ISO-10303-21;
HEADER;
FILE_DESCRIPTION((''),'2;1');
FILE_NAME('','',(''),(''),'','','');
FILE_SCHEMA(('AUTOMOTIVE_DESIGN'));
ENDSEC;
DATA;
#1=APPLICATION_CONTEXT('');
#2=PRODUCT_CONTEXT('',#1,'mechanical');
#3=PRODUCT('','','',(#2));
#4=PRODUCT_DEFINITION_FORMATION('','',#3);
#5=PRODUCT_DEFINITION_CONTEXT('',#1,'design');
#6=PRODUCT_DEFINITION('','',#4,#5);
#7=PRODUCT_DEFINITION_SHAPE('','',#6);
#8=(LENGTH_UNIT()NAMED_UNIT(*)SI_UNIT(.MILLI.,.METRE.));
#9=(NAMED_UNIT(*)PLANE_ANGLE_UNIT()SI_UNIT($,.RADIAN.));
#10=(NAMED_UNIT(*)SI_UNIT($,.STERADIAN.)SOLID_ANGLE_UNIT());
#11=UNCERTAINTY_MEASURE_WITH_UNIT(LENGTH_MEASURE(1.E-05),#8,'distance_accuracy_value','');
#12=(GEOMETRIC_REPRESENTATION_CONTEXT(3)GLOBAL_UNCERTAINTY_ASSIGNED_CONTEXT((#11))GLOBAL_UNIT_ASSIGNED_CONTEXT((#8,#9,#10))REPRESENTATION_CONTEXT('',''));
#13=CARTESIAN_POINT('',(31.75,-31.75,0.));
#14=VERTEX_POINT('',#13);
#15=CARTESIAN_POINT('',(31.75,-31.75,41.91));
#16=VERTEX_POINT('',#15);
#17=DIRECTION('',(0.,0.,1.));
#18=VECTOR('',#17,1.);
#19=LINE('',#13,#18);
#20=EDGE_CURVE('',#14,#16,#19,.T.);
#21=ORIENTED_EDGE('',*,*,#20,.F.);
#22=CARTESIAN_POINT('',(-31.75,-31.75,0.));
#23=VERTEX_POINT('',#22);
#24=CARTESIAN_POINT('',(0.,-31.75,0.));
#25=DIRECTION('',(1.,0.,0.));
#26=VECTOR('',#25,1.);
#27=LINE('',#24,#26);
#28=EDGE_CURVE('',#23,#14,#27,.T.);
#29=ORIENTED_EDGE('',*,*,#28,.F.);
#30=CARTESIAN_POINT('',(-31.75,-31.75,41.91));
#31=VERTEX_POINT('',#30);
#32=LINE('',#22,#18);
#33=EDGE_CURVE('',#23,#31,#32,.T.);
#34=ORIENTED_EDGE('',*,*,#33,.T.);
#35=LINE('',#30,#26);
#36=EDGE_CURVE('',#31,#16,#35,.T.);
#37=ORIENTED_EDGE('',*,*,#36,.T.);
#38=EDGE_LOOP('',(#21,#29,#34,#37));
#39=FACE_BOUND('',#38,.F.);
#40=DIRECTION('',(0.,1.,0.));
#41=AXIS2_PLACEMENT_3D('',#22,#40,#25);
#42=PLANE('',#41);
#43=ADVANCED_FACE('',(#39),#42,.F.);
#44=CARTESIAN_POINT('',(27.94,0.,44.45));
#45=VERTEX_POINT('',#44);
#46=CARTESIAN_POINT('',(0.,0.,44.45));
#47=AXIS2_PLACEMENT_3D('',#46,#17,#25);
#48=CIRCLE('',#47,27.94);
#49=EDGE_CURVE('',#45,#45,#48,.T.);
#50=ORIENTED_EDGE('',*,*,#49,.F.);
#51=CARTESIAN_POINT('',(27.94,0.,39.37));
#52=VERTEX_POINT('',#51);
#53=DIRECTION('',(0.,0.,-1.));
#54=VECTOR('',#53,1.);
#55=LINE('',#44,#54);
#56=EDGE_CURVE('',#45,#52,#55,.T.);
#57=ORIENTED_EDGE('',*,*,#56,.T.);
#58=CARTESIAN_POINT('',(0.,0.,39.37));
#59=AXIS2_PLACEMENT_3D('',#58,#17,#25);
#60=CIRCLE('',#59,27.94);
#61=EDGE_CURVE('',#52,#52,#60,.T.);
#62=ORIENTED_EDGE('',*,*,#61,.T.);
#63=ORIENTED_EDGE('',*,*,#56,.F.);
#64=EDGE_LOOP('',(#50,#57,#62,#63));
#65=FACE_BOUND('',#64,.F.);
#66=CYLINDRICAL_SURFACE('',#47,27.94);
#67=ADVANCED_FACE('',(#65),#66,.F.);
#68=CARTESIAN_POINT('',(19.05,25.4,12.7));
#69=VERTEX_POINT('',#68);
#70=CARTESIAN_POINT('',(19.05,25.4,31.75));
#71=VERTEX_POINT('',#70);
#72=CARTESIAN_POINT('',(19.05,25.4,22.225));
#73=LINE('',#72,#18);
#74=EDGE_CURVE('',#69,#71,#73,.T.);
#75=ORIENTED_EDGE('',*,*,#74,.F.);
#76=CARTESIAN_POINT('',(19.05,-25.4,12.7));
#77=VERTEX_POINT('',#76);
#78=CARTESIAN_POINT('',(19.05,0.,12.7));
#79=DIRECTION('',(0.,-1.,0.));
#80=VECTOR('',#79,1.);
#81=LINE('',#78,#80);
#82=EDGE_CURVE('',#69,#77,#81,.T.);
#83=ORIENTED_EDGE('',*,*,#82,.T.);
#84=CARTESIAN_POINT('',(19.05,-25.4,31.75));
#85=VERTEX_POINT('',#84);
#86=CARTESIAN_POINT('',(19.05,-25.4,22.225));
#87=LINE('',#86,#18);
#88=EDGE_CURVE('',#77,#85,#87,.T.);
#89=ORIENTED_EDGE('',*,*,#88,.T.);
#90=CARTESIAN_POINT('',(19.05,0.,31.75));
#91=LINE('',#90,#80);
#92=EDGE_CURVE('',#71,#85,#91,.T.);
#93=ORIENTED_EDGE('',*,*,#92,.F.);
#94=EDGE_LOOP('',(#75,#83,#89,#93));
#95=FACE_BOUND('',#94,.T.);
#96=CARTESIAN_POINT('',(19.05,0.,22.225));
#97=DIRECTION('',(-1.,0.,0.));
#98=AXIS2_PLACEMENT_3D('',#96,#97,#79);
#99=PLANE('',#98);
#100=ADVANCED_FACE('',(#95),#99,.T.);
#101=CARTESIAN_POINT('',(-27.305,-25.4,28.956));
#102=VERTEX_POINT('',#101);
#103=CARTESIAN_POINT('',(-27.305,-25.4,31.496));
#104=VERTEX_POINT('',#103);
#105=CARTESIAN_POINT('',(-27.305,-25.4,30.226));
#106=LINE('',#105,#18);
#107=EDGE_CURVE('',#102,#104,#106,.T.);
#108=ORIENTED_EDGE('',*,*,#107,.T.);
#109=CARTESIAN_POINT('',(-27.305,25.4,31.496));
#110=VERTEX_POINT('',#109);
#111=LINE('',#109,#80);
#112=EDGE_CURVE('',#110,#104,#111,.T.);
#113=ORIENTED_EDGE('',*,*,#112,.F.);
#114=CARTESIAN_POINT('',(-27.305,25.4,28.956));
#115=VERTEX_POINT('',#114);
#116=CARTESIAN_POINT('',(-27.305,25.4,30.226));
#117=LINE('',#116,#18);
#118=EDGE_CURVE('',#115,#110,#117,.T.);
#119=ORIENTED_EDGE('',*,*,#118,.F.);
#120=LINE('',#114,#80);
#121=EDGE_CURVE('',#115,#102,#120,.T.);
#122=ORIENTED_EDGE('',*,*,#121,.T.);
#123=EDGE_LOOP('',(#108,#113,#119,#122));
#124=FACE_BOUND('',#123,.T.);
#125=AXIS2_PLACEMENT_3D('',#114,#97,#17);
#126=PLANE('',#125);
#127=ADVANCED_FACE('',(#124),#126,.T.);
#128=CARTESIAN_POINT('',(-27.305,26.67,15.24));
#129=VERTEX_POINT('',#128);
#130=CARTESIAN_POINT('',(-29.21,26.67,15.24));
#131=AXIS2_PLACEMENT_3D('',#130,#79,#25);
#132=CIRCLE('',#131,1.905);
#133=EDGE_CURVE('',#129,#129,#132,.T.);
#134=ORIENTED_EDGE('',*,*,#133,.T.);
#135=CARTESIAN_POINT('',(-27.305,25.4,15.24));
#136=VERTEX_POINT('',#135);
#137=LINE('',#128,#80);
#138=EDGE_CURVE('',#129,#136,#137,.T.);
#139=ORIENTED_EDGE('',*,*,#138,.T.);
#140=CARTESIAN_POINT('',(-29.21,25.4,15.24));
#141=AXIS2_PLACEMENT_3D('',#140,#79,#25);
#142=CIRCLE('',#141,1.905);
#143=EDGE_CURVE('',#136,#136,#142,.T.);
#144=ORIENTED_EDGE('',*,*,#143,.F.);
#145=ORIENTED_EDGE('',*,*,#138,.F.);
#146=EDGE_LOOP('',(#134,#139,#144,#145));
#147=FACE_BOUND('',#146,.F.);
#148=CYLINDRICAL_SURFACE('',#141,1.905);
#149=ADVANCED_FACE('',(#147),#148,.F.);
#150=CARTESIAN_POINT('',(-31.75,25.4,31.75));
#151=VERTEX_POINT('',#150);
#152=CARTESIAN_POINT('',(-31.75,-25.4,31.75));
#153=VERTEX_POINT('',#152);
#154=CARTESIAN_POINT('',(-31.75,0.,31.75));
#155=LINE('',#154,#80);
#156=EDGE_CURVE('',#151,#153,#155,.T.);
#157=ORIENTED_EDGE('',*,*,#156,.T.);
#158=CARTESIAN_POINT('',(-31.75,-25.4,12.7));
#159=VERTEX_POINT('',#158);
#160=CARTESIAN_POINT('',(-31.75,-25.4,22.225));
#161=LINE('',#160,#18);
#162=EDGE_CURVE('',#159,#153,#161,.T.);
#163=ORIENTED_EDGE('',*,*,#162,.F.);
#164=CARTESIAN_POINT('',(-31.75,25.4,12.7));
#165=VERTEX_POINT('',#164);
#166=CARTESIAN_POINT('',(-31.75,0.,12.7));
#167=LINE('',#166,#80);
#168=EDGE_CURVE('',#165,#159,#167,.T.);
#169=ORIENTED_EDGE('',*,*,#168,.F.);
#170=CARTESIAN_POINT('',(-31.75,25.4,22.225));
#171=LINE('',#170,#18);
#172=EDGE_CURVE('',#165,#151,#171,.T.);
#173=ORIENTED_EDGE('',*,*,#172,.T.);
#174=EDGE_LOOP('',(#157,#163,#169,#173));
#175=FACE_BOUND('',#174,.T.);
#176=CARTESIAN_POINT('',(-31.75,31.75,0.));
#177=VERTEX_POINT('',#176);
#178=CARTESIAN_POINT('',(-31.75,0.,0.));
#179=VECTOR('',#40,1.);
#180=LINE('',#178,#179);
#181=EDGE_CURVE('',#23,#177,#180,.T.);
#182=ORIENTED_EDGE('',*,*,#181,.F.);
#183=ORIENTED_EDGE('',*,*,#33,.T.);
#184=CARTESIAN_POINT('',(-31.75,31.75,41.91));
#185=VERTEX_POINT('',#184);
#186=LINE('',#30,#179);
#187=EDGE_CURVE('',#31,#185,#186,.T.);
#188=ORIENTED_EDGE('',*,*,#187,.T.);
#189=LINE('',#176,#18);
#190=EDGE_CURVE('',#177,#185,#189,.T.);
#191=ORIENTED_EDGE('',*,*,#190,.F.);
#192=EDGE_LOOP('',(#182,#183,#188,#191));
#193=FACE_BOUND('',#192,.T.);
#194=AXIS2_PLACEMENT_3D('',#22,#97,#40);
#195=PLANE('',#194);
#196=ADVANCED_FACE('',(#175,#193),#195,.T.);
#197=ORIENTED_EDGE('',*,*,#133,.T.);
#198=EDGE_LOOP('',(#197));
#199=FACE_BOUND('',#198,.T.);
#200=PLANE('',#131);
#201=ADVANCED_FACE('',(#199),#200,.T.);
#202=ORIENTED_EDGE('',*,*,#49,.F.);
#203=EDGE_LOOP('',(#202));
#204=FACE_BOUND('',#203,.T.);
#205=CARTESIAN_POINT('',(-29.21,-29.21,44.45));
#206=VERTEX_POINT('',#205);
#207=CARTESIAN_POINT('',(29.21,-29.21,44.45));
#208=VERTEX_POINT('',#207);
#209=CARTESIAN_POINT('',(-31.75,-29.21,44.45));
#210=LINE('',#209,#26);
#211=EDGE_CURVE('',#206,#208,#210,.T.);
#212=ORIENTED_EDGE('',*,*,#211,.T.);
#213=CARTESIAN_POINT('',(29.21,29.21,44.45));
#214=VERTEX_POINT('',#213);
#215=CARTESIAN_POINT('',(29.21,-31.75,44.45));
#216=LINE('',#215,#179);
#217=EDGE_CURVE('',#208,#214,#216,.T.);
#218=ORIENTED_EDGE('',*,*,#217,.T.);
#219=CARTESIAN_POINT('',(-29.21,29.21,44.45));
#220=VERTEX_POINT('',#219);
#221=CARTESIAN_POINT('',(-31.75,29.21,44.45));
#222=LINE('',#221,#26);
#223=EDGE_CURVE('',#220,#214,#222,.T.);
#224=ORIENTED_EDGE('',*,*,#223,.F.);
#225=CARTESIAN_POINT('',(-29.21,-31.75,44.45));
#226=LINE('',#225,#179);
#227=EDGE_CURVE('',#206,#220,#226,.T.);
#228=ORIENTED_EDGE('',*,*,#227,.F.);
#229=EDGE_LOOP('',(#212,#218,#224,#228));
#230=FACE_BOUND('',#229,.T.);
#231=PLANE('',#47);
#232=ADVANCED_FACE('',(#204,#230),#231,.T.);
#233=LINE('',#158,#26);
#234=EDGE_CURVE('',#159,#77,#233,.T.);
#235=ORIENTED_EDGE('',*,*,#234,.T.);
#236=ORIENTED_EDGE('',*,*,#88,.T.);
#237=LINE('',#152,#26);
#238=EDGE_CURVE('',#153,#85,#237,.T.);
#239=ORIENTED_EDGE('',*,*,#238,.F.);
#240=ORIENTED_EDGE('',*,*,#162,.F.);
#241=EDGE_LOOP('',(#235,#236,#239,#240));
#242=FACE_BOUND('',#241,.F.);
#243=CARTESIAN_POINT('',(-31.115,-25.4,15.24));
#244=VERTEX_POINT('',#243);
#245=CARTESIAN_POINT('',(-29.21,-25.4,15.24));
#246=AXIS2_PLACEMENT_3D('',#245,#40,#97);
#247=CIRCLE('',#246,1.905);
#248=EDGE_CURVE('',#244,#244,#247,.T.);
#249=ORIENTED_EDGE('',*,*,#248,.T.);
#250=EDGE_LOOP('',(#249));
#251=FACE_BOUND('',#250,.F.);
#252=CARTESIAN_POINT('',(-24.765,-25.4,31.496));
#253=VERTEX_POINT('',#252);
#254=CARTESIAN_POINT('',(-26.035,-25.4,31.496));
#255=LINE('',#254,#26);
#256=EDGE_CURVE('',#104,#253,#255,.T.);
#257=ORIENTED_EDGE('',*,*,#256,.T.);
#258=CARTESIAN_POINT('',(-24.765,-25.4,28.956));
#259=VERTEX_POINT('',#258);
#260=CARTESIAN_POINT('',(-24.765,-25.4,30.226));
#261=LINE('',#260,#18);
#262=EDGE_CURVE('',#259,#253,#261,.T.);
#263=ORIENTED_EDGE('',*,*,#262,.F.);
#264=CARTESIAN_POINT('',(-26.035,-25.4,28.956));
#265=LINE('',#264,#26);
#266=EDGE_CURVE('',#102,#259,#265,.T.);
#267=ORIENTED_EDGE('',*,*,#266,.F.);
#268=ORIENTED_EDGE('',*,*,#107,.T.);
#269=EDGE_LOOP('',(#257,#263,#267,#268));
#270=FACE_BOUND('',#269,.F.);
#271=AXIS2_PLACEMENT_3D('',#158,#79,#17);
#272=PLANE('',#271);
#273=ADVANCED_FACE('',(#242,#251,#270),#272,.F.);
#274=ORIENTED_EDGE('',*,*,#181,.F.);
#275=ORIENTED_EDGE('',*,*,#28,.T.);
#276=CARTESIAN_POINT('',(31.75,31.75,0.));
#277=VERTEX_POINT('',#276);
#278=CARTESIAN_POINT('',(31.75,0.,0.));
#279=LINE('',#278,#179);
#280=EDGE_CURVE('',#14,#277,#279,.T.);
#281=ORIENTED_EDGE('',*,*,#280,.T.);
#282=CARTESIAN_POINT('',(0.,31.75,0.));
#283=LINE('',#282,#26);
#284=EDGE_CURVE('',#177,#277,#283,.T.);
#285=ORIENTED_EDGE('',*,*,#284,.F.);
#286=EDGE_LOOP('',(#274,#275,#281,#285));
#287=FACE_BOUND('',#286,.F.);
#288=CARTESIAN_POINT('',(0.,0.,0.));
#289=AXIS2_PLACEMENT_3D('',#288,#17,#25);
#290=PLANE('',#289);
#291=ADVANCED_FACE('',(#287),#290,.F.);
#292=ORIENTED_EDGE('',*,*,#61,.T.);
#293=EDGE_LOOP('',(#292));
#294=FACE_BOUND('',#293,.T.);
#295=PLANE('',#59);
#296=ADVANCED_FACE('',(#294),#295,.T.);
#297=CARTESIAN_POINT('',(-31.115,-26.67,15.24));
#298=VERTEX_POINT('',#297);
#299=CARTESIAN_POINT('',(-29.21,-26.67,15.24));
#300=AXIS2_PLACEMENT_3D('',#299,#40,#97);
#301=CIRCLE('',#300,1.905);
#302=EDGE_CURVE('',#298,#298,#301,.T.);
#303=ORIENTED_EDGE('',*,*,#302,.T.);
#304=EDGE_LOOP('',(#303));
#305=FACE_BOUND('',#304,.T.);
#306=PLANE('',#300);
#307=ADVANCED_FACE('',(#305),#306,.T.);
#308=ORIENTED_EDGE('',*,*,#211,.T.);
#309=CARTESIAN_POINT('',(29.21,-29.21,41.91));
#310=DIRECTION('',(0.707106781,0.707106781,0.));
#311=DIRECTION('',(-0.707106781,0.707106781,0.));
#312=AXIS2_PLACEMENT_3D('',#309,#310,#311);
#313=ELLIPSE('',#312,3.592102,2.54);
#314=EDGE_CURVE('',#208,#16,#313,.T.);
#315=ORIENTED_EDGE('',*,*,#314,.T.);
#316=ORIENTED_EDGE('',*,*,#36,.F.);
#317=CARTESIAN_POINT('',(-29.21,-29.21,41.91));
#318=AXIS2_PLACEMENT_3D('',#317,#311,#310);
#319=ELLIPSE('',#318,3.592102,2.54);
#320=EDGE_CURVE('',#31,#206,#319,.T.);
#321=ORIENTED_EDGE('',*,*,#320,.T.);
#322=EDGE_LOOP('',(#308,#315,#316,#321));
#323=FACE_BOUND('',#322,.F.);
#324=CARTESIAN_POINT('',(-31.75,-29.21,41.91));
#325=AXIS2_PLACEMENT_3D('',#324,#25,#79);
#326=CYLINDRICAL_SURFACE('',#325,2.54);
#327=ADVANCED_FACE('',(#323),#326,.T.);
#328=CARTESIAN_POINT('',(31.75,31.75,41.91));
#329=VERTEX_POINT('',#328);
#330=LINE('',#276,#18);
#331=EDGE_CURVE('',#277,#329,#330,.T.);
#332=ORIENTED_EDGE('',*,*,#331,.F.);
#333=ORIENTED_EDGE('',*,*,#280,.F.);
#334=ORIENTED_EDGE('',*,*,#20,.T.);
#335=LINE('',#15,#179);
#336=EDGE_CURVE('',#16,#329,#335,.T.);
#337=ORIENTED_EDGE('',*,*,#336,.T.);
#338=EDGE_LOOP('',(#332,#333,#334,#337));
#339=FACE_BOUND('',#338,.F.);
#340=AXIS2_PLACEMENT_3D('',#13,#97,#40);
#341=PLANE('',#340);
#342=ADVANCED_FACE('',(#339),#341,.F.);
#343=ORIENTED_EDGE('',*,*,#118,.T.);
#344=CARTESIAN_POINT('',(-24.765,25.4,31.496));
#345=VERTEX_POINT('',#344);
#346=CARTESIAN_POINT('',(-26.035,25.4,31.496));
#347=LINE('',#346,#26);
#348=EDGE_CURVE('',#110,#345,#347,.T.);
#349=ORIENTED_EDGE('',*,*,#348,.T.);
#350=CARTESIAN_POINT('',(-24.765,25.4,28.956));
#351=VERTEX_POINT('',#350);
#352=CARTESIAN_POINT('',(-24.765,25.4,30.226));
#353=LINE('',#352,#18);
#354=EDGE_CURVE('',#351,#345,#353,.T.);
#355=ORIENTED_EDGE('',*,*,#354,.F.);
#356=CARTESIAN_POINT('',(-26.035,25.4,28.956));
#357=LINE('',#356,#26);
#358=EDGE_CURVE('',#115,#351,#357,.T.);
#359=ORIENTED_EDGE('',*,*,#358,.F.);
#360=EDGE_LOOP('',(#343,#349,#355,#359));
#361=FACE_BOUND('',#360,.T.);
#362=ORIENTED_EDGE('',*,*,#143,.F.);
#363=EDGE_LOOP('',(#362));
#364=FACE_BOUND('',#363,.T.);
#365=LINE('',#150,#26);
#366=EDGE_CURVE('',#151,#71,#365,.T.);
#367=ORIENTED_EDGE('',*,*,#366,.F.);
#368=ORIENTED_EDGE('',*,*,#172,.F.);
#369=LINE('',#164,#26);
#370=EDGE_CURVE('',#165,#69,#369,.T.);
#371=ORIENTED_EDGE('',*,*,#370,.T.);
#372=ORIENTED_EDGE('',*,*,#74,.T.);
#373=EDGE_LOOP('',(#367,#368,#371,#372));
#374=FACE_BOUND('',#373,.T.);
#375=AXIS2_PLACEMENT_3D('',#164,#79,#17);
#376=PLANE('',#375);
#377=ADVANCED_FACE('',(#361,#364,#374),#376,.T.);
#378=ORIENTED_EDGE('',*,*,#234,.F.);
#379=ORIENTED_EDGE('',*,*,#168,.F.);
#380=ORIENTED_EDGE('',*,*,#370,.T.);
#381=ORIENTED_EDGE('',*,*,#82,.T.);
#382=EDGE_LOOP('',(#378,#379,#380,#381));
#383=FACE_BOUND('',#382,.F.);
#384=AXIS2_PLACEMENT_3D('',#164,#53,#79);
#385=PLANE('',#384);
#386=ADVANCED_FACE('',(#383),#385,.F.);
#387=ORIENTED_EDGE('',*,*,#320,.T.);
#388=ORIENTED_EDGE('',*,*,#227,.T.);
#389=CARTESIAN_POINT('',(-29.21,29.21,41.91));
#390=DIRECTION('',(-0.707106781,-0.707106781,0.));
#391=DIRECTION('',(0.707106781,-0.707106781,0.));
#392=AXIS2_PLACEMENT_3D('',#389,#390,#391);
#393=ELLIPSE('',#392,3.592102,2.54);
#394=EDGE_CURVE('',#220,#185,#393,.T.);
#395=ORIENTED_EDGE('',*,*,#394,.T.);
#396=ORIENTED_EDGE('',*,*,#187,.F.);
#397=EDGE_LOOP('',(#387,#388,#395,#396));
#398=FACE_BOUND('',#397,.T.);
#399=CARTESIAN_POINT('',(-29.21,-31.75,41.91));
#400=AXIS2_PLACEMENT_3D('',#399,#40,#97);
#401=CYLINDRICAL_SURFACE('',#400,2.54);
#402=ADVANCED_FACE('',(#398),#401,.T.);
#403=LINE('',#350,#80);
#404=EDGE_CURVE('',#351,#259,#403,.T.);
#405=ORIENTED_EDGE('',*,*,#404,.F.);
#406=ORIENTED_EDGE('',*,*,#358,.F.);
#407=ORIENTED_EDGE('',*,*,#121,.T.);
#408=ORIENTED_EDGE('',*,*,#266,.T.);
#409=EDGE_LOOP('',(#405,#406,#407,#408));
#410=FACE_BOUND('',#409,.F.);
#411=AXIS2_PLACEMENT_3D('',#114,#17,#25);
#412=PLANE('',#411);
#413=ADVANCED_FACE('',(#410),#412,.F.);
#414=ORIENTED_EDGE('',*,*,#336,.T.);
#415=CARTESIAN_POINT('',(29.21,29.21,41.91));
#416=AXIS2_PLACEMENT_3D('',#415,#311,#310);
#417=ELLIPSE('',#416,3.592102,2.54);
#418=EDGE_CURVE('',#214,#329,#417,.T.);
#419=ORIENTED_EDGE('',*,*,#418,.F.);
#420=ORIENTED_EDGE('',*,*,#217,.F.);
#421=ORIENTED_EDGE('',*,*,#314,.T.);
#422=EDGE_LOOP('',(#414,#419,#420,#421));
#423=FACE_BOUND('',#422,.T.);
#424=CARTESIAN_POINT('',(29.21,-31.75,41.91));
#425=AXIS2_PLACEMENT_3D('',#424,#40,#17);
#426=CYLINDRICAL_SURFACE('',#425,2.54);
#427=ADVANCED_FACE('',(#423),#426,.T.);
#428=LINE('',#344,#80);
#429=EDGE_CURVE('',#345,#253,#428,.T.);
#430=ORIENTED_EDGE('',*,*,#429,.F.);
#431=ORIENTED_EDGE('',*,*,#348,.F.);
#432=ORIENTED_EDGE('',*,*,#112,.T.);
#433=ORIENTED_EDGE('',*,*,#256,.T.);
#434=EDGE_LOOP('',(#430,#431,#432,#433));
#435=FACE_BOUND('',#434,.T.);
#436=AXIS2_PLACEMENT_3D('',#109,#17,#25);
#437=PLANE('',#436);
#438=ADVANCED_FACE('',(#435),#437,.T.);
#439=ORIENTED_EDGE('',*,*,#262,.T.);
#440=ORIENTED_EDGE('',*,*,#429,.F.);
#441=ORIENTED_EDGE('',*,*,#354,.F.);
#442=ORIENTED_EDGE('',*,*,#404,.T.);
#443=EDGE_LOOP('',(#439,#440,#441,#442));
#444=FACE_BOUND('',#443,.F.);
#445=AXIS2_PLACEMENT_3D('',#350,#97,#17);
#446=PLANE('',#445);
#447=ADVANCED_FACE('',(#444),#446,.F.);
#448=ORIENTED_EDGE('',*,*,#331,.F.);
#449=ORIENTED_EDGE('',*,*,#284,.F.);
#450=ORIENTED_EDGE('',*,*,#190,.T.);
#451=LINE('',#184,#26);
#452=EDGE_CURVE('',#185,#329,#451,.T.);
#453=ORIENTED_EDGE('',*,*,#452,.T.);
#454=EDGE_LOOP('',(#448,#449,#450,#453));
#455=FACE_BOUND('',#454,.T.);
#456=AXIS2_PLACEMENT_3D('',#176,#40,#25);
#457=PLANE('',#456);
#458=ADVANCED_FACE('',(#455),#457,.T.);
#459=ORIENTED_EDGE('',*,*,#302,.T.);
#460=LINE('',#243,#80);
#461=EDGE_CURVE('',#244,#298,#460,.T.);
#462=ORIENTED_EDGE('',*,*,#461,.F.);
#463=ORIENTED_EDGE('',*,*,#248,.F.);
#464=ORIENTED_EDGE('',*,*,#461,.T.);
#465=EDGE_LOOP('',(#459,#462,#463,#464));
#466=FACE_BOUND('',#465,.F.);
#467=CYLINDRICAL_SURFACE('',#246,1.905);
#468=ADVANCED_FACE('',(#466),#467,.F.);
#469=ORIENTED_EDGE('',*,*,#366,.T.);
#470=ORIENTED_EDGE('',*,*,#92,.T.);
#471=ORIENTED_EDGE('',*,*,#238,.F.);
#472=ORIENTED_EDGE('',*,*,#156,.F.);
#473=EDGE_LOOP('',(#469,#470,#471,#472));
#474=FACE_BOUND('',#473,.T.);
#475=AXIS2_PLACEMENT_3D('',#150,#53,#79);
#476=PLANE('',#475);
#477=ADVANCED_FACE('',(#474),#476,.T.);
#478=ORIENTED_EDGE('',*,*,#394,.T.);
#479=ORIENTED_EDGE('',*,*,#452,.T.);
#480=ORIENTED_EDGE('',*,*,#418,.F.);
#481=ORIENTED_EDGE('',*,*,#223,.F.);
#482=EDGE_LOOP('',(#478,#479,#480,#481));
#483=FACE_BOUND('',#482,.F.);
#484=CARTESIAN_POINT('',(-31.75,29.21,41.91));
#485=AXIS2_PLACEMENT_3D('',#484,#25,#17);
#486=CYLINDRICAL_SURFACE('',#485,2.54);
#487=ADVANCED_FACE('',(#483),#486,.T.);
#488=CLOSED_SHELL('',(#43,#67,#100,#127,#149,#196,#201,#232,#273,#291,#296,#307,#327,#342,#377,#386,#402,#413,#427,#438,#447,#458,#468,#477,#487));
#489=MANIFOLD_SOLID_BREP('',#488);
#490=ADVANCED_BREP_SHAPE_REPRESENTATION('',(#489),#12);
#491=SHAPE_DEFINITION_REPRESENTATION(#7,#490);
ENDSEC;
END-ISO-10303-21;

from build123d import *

# Parameters (mm, degrees)
F0_W      = 63.5
F0_H      = 63.5
F1_DEPTH  = 44.45
F2_R      = 27.94
F3_DEPTH  = 5.08
F4_W      = 50.8
F4_H      = 19.05
F5_DEPTH  = 50.8
F7_R      = 1.905
F6_R      = 1.905
F8_DEPTH  = 1.27
F9_R      = 2.54
F10_W     = 2.54
F10_H     = 2.54
F11_DEPTH = 50.8


with BuildPart() as f1:
    # F0 (on Top) → F1 (new body)
    with BuildSketch(Plane.XY):
        Rectangle(F0_W, F0_H)
    extrude(amount=F1_DEPTH)

    # F2 (on face) → F3 (cut)
    with BuildSketch(Plane.XY.offset(44.45)):
        Circle(F2_R)
    extrude(amount=-F3_DEPTH, mode=Mode.SUBTRACT)

    # F4 (on face) → F5 (cut)
    with BuildSketch(Plane(origin=(-31.75, 0, 0), x_dir=(0, -1, 0), z_dir=(-1, 0, 0))):
        with Locations((0, 22.225)):
            Rectangle(F4_W, F4_H)
    extrude(amount=-F5_DEPTH, mode=Mode.SUBTRACT)

    # F7 (on face) + F6 (on face) → F8 (cut, symmetric)
    with BuildSketch(Plane(origin=(0, -25.4, 0), x_dir=(-1, 0, 0), z_dir=(0, 1, 0))):
        with Locations((29.21, 15.24)):
            Circle(F7_R)
    with BuildSketch(Plane.XZ.offset(-25.4)):
        with Locations((-29.21, 15.24)):
            Circle(F6_R)
    extrude(amount=F8_DEPTH, both=True, mode=Mode.SUBTRACT)

    # F9
    f9_edges = [f1.edges().sort_by_distance(p)[0] for p in [
        (0, 31.75, 44.45),
        (-31.75, 0, 44.45),
        (31.75, 0, 44.45),
        (0, -31.75, 44.45),
    ]]
    fillet(f9_edges, radius=F9_R)

    # F10 (on face) → F11 (join)
    with BuildSketch(Plane.XZ.offset(-25.4)):
        with Locations((-26.035, 30.226)):
            Rectangle(F10_W, F10_H)
    extrude(amount=F11_DEPTH)


solid = f1.part
